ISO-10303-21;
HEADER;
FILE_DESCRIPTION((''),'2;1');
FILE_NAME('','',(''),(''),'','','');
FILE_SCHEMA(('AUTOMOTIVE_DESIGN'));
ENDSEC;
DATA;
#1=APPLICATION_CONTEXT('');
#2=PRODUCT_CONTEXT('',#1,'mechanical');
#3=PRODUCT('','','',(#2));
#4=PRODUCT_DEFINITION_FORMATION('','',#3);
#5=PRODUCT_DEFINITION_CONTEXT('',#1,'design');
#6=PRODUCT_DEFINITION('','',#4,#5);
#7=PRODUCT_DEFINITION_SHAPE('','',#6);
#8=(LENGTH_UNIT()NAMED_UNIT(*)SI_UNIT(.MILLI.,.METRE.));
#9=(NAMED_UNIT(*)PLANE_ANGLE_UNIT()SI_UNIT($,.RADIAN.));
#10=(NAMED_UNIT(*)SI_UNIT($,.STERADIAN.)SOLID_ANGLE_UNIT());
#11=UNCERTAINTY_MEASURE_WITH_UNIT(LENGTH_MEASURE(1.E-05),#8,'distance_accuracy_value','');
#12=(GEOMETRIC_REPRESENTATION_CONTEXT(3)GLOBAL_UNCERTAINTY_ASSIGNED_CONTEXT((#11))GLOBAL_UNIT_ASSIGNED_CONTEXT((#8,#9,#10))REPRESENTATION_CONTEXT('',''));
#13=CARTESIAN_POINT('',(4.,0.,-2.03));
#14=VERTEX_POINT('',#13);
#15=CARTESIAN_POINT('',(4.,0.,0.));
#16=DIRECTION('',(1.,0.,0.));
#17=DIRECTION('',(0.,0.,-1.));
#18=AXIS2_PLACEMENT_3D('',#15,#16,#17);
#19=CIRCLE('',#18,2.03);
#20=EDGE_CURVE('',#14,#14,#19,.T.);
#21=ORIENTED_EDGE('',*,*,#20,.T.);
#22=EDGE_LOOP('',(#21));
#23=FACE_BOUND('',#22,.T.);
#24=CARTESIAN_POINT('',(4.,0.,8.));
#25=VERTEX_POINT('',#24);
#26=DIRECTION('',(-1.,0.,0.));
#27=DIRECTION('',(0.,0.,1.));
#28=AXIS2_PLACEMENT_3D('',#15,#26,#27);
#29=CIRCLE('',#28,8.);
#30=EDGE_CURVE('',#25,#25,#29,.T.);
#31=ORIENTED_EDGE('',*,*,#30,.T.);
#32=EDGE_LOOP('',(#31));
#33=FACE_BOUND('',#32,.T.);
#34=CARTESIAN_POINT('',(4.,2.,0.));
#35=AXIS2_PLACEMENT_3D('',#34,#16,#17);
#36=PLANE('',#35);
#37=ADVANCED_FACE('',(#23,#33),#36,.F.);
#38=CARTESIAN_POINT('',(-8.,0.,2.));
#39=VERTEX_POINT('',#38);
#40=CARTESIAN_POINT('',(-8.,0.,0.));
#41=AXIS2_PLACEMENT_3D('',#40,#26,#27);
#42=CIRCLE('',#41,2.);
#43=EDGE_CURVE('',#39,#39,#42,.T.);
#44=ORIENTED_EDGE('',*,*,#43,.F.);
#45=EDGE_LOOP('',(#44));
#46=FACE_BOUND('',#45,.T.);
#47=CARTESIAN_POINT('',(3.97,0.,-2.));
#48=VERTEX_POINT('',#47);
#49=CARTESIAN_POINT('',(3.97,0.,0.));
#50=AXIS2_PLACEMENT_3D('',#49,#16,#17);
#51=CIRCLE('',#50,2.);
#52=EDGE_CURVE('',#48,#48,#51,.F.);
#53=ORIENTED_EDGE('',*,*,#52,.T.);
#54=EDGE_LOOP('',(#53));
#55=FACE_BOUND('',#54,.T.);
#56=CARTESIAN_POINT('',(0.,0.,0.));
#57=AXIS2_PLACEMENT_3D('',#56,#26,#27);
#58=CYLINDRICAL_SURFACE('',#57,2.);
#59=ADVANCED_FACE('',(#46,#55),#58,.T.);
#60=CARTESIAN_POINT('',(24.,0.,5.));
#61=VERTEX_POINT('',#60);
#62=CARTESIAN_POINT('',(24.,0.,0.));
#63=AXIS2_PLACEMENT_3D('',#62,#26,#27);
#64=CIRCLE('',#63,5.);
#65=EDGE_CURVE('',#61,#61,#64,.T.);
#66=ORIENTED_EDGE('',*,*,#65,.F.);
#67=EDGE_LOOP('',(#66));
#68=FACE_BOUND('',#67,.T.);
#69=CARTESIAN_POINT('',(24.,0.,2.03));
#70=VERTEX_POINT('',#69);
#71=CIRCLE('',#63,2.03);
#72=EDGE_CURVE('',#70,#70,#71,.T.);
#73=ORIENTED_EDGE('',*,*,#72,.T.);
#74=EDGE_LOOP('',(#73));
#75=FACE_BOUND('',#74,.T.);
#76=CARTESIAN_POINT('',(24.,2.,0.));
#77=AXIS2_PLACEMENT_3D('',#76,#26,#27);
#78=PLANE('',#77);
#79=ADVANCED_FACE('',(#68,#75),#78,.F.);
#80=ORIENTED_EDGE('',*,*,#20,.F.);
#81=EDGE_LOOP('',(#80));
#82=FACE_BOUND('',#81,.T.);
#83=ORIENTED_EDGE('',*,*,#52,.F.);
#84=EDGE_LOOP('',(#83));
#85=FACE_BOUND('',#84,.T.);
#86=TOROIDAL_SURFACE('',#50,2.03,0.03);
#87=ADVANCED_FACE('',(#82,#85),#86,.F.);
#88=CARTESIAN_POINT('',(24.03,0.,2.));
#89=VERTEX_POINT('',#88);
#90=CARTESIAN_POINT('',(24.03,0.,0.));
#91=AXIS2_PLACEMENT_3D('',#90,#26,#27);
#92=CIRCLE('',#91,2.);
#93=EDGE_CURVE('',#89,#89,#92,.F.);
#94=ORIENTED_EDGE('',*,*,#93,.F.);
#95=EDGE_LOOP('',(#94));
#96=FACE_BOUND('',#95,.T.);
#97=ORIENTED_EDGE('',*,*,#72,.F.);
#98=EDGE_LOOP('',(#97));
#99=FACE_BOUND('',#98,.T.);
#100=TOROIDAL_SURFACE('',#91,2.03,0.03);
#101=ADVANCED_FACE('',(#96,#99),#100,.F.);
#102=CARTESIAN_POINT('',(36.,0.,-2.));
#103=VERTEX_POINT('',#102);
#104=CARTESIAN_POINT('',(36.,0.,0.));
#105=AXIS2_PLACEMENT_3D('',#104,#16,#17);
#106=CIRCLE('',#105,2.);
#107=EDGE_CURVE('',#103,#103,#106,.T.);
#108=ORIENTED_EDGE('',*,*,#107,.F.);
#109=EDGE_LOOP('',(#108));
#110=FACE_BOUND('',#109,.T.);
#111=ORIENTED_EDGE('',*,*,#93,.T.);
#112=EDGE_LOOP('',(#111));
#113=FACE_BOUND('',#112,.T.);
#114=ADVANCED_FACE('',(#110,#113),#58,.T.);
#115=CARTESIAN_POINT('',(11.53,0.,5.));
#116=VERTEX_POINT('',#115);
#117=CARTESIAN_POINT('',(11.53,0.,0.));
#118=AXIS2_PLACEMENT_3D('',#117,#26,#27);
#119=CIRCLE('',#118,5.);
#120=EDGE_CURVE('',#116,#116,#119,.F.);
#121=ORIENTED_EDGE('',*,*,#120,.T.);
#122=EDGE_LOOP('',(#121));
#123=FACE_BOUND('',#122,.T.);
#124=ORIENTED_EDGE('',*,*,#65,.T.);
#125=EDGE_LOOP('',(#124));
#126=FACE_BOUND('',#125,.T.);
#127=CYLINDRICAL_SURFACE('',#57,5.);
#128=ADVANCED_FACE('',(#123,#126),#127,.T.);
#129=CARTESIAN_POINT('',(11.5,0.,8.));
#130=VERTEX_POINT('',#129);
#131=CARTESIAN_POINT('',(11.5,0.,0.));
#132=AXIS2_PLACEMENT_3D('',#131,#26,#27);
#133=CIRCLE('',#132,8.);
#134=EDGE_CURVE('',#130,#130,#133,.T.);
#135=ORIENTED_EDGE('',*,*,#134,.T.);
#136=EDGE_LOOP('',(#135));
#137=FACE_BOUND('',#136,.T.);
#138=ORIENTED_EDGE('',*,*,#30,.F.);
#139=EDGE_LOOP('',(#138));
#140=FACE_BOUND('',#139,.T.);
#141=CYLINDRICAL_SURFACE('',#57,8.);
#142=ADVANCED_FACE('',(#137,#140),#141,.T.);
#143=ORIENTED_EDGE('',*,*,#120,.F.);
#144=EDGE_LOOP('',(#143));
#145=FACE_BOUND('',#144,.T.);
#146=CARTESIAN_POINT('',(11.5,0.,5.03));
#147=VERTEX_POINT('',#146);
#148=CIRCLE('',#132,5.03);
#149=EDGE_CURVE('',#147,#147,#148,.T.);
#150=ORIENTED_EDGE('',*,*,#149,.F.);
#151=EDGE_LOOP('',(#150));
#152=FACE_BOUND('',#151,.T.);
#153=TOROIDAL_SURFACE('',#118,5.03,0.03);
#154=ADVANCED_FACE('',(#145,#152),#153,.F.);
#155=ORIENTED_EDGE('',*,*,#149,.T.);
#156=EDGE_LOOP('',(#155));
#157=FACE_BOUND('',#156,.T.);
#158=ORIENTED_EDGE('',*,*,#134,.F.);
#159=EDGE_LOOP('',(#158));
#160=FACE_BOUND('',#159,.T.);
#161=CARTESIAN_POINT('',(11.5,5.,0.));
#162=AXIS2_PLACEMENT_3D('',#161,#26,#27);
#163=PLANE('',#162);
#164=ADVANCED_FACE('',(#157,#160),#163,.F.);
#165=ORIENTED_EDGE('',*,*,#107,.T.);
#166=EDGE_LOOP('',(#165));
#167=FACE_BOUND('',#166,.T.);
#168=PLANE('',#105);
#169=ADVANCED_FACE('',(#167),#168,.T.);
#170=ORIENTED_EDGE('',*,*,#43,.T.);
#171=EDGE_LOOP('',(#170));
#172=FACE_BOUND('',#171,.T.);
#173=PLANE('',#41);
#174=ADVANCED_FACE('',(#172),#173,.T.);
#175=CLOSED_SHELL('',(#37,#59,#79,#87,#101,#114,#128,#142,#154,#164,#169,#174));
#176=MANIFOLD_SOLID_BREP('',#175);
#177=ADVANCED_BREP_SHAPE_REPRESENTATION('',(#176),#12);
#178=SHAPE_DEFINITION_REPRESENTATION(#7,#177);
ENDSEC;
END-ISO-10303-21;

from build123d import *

# Parameters (mm, degrees)
CROQUIS2_R              = 2
SALIENTE_EXTRUIR1_DEPTH = 8
CROQUIS3_R              = 2
SALIENTE_EXTRUIR2_DEPTH = 8
REDONDEO1_R             = 0.03
REDONDEO2_R             = 0.03


with BuildPart() as part:
    # Croquis1 → Revolución1 (revolve)
    with BuildSketch(Plane.XY, mode=Mode.PRIVATE) as revoluci_n1_sk:
        Polygon((0, 0), (0, 2), (4, 2), (4, 8), (11.5, 8), (11.5, 5), (24, 5), (24, 2), (28, 2), (28, 0), align=None)
    revolve(revoluci_n1_sk.sketch.rotate(Axis((0, 0, 0), (1, 0, 0)), 90), axis=Axis((0, 0, 0), (1, 0, 0)))

    # Croquis2 → Saliente-Extruir1 (add)
    with BuildSketch(Plane.ZY):
        Circle(CROQUIS2_R)
    extrude(amount=SALIENTE_EXTRUIR1_DEPTH)

    # Croquis3 → Saliente-Extruir2 (add)
    with BuildSketch(Plane(origin=(28, 0, 0), x_dir=(0, 0, -1), z_dir=(1, 0, 0))):
        with Locations(Location((0, 0, 0), (0, 0, 180))):
            Circle(CROQUIS3_R)
    extrude(amount=SALIENTE_EXTRUIR2_DEPTH)

    # Redondeo1
    redondeo1_edges = [part.edges().sort_by_distance(p)[0] for p in [
        (4, 0, -2),
    ]]
    fillet(redondeo1_edges, radius=REDONDEO1_R)

    # Redondeo2
    redondeo2_edges = [part.edges().sort_by_distance(p)[0] for p in [
        (11.5, 0, -5),
        (24, 0, -2),
    ]]
    fillet(redondeo2_edges, radius=REDONDEO2_R)


solid = part.part
